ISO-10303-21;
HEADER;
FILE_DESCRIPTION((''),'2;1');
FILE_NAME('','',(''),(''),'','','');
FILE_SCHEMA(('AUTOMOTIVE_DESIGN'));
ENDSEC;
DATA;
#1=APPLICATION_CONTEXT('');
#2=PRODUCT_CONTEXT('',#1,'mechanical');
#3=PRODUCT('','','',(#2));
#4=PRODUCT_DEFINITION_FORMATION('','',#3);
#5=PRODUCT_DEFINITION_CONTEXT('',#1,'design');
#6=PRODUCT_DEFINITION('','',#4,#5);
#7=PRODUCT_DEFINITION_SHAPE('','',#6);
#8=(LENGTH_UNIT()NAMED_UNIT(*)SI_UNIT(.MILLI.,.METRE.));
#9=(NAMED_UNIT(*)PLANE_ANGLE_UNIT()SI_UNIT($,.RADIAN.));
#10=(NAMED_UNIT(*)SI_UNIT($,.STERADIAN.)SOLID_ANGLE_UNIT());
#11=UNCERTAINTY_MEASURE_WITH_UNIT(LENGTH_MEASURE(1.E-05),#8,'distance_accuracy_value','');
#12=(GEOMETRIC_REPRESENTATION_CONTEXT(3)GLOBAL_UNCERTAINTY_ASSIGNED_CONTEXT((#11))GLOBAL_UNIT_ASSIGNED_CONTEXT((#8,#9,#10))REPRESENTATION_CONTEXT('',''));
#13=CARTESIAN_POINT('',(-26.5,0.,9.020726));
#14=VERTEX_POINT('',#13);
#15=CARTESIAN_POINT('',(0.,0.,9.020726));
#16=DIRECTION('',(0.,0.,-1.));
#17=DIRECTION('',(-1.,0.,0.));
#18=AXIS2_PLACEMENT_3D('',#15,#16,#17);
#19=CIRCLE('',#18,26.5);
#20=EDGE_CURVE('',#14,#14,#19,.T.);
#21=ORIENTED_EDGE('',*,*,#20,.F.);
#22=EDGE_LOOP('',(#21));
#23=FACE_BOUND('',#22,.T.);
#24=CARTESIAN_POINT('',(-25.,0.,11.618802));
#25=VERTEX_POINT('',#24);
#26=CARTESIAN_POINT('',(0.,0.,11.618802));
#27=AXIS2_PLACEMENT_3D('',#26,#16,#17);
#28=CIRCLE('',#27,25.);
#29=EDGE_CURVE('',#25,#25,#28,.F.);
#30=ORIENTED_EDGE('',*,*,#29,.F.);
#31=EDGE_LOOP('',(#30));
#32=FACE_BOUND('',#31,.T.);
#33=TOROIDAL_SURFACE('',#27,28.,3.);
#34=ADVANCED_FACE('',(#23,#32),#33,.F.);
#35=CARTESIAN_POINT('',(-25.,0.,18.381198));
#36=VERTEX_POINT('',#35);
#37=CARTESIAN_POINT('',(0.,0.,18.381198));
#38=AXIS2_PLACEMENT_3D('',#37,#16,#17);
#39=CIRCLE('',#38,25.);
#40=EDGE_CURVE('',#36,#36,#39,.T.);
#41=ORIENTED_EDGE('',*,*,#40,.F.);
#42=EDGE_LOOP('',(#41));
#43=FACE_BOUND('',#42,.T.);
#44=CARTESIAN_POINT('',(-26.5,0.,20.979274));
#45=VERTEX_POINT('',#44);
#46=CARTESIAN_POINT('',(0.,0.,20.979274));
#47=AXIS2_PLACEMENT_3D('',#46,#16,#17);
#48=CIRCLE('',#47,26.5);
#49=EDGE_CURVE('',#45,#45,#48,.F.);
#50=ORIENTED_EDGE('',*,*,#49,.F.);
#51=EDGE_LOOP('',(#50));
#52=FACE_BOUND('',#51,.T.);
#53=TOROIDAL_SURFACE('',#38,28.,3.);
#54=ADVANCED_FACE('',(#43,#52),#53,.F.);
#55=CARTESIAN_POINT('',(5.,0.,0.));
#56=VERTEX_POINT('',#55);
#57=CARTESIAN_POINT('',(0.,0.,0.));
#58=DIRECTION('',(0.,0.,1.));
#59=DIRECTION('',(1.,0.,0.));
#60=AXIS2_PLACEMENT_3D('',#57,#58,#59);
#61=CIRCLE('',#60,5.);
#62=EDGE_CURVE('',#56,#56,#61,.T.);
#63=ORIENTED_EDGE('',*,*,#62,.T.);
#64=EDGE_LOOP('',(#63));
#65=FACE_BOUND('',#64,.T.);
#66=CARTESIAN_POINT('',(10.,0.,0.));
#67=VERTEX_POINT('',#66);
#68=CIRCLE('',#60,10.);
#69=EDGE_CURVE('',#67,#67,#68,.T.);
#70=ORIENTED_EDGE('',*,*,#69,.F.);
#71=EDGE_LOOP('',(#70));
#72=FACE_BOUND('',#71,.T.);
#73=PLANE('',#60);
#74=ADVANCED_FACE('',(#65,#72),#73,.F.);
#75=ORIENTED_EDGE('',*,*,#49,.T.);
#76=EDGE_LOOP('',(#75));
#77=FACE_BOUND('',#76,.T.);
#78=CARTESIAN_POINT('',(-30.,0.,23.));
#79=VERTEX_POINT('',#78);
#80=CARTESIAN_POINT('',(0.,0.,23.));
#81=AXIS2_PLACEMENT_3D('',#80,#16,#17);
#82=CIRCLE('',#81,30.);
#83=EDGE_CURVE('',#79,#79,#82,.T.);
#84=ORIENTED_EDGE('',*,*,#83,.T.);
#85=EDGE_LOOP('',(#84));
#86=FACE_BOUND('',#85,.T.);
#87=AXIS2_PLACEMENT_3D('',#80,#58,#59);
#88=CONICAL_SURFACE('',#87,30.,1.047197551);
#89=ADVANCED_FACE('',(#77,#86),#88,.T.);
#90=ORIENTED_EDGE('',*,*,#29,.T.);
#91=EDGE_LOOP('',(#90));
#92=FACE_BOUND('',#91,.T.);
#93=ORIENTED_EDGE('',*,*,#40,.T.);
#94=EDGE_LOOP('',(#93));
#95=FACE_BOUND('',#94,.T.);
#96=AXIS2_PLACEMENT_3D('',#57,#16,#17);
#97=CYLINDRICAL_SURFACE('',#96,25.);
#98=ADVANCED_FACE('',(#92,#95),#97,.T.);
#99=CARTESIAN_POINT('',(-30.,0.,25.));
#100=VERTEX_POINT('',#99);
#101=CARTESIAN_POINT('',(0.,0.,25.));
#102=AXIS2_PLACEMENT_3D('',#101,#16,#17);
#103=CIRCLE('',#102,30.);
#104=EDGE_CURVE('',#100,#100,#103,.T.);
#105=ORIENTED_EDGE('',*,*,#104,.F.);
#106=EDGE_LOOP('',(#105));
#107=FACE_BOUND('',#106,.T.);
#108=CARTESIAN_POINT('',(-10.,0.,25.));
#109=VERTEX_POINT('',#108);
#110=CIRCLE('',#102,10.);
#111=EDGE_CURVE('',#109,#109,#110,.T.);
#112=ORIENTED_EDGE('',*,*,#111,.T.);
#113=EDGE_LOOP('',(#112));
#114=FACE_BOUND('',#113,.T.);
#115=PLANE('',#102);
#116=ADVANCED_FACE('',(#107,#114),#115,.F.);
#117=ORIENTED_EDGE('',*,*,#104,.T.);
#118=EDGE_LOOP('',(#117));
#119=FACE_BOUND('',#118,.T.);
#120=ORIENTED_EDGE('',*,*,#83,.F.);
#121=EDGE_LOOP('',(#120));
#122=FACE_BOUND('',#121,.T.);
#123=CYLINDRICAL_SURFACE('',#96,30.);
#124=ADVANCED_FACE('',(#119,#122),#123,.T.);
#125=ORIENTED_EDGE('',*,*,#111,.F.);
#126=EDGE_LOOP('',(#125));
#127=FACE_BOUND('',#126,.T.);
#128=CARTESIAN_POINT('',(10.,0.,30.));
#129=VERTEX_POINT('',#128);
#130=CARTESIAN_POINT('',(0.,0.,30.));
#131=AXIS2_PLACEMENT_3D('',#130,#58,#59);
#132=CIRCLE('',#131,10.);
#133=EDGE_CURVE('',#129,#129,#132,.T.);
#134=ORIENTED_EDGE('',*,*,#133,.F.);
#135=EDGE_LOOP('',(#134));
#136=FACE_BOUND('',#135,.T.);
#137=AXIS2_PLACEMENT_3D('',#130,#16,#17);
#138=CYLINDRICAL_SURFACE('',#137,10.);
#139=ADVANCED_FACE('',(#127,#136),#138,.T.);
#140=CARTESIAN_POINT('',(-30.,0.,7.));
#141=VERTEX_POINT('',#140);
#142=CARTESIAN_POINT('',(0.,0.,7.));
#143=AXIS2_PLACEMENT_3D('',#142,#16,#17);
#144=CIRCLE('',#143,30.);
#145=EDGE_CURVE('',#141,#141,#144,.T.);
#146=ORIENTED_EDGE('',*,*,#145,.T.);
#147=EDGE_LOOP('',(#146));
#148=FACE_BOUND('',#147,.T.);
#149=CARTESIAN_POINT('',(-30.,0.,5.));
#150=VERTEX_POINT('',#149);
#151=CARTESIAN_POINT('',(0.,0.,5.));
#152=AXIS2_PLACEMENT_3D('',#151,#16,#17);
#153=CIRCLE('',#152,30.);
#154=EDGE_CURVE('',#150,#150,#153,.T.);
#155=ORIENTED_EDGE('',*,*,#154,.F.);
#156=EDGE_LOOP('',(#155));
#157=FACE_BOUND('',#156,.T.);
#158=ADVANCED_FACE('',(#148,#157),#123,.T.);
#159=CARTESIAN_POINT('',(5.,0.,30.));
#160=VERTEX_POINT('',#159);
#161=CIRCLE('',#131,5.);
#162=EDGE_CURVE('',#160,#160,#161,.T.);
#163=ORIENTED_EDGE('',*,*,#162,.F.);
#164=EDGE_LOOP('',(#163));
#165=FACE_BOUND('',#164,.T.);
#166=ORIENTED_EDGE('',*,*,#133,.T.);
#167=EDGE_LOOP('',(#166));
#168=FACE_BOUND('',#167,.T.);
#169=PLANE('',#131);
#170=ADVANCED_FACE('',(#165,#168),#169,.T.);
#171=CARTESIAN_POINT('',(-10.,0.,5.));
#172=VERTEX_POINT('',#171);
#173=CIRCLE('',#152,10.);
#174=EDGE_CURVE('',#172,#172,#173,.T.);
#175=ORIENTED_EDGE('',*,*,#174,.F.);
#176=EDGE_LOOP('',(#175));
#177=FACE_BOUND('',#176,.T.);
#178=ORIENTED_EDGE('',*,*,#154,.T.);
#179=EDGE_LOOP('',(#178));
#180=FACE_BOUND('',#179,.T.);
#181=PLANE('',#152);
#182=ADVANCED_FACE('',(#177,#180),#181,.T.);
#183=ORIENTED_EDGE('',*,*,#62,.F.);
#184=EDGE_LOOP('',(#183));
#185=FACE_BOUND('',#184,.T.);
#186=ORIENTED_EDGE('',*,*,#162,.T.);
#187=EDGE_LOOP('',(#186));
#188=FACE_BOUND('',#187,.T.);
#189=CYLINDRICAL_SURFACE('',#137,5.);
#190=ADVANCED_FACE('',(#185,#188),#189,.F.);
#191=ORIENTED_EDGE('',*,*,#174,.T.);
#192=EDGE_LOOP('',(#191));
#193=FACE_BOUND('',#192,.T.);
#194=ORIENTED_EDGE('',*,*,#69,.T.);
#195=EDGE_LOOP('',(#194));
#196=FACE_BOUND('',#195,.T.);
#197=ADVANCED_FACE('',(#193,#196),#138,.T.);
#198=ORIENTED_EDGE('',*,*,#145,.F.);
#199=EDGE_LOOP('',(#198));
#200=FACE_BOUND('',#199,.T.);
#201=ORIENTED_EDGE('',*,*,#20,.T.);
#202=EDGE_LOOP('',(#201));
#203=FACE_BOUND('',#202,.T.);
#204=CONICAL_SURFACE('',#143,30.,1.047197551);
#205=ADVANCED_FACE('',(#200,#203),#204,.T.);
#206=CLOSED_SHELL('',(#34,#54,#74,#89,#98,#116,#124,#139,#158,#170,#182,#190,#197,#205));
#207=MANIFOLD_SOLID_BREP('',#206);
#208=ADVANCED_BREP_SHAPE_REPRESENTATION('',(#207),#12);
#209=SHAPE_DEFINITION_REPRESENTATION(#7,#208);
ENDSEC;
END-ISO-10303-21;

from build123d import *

# Parameters (mm, degrees)
SKETCH1_R           = 10
SKETCH1_R_2         = 5
BOSS_EXTRUDE1_DEPTH = 30
FILLET1_R           = 3


with BuildPart() as part:
    # Sketch1 → Boss-Extrude1 (new body)
    with BuildSketch(Plane.XY):
        Circle(SKETCH1_R)
        Circle(SKETCH1_R_2, mode=Mode.SUBTRACT)
    extrude(amount=BOSS_EXTRUDE1_DEPTH)

    # Sketch4 → Revolve1 (revolve)
    with BuildSketch(Plane(origin=(0, 0, 0), x_dir=(1, 0, 0), z_dir=(0, 1, 0))):
        Polygon((10, -5), (30, -5), (30, -7), (25, -9.886751346), (25, -20.113248654), (30, -23), (30, -25), (10, -25), align=None)
    revolve(axis=Axis((0, 0, 0), (0, 0, 1)))

    # Fillet1
    fillet1_edges = [part.edges().sort_by_distance(p)[0] for p in [
        (-25, 0, 20.113248654),
        (-25, 0, 9.886751346),
    ]]
    fillet(fillet1_edges, radius=FILLET1_R)


solid = part.part
